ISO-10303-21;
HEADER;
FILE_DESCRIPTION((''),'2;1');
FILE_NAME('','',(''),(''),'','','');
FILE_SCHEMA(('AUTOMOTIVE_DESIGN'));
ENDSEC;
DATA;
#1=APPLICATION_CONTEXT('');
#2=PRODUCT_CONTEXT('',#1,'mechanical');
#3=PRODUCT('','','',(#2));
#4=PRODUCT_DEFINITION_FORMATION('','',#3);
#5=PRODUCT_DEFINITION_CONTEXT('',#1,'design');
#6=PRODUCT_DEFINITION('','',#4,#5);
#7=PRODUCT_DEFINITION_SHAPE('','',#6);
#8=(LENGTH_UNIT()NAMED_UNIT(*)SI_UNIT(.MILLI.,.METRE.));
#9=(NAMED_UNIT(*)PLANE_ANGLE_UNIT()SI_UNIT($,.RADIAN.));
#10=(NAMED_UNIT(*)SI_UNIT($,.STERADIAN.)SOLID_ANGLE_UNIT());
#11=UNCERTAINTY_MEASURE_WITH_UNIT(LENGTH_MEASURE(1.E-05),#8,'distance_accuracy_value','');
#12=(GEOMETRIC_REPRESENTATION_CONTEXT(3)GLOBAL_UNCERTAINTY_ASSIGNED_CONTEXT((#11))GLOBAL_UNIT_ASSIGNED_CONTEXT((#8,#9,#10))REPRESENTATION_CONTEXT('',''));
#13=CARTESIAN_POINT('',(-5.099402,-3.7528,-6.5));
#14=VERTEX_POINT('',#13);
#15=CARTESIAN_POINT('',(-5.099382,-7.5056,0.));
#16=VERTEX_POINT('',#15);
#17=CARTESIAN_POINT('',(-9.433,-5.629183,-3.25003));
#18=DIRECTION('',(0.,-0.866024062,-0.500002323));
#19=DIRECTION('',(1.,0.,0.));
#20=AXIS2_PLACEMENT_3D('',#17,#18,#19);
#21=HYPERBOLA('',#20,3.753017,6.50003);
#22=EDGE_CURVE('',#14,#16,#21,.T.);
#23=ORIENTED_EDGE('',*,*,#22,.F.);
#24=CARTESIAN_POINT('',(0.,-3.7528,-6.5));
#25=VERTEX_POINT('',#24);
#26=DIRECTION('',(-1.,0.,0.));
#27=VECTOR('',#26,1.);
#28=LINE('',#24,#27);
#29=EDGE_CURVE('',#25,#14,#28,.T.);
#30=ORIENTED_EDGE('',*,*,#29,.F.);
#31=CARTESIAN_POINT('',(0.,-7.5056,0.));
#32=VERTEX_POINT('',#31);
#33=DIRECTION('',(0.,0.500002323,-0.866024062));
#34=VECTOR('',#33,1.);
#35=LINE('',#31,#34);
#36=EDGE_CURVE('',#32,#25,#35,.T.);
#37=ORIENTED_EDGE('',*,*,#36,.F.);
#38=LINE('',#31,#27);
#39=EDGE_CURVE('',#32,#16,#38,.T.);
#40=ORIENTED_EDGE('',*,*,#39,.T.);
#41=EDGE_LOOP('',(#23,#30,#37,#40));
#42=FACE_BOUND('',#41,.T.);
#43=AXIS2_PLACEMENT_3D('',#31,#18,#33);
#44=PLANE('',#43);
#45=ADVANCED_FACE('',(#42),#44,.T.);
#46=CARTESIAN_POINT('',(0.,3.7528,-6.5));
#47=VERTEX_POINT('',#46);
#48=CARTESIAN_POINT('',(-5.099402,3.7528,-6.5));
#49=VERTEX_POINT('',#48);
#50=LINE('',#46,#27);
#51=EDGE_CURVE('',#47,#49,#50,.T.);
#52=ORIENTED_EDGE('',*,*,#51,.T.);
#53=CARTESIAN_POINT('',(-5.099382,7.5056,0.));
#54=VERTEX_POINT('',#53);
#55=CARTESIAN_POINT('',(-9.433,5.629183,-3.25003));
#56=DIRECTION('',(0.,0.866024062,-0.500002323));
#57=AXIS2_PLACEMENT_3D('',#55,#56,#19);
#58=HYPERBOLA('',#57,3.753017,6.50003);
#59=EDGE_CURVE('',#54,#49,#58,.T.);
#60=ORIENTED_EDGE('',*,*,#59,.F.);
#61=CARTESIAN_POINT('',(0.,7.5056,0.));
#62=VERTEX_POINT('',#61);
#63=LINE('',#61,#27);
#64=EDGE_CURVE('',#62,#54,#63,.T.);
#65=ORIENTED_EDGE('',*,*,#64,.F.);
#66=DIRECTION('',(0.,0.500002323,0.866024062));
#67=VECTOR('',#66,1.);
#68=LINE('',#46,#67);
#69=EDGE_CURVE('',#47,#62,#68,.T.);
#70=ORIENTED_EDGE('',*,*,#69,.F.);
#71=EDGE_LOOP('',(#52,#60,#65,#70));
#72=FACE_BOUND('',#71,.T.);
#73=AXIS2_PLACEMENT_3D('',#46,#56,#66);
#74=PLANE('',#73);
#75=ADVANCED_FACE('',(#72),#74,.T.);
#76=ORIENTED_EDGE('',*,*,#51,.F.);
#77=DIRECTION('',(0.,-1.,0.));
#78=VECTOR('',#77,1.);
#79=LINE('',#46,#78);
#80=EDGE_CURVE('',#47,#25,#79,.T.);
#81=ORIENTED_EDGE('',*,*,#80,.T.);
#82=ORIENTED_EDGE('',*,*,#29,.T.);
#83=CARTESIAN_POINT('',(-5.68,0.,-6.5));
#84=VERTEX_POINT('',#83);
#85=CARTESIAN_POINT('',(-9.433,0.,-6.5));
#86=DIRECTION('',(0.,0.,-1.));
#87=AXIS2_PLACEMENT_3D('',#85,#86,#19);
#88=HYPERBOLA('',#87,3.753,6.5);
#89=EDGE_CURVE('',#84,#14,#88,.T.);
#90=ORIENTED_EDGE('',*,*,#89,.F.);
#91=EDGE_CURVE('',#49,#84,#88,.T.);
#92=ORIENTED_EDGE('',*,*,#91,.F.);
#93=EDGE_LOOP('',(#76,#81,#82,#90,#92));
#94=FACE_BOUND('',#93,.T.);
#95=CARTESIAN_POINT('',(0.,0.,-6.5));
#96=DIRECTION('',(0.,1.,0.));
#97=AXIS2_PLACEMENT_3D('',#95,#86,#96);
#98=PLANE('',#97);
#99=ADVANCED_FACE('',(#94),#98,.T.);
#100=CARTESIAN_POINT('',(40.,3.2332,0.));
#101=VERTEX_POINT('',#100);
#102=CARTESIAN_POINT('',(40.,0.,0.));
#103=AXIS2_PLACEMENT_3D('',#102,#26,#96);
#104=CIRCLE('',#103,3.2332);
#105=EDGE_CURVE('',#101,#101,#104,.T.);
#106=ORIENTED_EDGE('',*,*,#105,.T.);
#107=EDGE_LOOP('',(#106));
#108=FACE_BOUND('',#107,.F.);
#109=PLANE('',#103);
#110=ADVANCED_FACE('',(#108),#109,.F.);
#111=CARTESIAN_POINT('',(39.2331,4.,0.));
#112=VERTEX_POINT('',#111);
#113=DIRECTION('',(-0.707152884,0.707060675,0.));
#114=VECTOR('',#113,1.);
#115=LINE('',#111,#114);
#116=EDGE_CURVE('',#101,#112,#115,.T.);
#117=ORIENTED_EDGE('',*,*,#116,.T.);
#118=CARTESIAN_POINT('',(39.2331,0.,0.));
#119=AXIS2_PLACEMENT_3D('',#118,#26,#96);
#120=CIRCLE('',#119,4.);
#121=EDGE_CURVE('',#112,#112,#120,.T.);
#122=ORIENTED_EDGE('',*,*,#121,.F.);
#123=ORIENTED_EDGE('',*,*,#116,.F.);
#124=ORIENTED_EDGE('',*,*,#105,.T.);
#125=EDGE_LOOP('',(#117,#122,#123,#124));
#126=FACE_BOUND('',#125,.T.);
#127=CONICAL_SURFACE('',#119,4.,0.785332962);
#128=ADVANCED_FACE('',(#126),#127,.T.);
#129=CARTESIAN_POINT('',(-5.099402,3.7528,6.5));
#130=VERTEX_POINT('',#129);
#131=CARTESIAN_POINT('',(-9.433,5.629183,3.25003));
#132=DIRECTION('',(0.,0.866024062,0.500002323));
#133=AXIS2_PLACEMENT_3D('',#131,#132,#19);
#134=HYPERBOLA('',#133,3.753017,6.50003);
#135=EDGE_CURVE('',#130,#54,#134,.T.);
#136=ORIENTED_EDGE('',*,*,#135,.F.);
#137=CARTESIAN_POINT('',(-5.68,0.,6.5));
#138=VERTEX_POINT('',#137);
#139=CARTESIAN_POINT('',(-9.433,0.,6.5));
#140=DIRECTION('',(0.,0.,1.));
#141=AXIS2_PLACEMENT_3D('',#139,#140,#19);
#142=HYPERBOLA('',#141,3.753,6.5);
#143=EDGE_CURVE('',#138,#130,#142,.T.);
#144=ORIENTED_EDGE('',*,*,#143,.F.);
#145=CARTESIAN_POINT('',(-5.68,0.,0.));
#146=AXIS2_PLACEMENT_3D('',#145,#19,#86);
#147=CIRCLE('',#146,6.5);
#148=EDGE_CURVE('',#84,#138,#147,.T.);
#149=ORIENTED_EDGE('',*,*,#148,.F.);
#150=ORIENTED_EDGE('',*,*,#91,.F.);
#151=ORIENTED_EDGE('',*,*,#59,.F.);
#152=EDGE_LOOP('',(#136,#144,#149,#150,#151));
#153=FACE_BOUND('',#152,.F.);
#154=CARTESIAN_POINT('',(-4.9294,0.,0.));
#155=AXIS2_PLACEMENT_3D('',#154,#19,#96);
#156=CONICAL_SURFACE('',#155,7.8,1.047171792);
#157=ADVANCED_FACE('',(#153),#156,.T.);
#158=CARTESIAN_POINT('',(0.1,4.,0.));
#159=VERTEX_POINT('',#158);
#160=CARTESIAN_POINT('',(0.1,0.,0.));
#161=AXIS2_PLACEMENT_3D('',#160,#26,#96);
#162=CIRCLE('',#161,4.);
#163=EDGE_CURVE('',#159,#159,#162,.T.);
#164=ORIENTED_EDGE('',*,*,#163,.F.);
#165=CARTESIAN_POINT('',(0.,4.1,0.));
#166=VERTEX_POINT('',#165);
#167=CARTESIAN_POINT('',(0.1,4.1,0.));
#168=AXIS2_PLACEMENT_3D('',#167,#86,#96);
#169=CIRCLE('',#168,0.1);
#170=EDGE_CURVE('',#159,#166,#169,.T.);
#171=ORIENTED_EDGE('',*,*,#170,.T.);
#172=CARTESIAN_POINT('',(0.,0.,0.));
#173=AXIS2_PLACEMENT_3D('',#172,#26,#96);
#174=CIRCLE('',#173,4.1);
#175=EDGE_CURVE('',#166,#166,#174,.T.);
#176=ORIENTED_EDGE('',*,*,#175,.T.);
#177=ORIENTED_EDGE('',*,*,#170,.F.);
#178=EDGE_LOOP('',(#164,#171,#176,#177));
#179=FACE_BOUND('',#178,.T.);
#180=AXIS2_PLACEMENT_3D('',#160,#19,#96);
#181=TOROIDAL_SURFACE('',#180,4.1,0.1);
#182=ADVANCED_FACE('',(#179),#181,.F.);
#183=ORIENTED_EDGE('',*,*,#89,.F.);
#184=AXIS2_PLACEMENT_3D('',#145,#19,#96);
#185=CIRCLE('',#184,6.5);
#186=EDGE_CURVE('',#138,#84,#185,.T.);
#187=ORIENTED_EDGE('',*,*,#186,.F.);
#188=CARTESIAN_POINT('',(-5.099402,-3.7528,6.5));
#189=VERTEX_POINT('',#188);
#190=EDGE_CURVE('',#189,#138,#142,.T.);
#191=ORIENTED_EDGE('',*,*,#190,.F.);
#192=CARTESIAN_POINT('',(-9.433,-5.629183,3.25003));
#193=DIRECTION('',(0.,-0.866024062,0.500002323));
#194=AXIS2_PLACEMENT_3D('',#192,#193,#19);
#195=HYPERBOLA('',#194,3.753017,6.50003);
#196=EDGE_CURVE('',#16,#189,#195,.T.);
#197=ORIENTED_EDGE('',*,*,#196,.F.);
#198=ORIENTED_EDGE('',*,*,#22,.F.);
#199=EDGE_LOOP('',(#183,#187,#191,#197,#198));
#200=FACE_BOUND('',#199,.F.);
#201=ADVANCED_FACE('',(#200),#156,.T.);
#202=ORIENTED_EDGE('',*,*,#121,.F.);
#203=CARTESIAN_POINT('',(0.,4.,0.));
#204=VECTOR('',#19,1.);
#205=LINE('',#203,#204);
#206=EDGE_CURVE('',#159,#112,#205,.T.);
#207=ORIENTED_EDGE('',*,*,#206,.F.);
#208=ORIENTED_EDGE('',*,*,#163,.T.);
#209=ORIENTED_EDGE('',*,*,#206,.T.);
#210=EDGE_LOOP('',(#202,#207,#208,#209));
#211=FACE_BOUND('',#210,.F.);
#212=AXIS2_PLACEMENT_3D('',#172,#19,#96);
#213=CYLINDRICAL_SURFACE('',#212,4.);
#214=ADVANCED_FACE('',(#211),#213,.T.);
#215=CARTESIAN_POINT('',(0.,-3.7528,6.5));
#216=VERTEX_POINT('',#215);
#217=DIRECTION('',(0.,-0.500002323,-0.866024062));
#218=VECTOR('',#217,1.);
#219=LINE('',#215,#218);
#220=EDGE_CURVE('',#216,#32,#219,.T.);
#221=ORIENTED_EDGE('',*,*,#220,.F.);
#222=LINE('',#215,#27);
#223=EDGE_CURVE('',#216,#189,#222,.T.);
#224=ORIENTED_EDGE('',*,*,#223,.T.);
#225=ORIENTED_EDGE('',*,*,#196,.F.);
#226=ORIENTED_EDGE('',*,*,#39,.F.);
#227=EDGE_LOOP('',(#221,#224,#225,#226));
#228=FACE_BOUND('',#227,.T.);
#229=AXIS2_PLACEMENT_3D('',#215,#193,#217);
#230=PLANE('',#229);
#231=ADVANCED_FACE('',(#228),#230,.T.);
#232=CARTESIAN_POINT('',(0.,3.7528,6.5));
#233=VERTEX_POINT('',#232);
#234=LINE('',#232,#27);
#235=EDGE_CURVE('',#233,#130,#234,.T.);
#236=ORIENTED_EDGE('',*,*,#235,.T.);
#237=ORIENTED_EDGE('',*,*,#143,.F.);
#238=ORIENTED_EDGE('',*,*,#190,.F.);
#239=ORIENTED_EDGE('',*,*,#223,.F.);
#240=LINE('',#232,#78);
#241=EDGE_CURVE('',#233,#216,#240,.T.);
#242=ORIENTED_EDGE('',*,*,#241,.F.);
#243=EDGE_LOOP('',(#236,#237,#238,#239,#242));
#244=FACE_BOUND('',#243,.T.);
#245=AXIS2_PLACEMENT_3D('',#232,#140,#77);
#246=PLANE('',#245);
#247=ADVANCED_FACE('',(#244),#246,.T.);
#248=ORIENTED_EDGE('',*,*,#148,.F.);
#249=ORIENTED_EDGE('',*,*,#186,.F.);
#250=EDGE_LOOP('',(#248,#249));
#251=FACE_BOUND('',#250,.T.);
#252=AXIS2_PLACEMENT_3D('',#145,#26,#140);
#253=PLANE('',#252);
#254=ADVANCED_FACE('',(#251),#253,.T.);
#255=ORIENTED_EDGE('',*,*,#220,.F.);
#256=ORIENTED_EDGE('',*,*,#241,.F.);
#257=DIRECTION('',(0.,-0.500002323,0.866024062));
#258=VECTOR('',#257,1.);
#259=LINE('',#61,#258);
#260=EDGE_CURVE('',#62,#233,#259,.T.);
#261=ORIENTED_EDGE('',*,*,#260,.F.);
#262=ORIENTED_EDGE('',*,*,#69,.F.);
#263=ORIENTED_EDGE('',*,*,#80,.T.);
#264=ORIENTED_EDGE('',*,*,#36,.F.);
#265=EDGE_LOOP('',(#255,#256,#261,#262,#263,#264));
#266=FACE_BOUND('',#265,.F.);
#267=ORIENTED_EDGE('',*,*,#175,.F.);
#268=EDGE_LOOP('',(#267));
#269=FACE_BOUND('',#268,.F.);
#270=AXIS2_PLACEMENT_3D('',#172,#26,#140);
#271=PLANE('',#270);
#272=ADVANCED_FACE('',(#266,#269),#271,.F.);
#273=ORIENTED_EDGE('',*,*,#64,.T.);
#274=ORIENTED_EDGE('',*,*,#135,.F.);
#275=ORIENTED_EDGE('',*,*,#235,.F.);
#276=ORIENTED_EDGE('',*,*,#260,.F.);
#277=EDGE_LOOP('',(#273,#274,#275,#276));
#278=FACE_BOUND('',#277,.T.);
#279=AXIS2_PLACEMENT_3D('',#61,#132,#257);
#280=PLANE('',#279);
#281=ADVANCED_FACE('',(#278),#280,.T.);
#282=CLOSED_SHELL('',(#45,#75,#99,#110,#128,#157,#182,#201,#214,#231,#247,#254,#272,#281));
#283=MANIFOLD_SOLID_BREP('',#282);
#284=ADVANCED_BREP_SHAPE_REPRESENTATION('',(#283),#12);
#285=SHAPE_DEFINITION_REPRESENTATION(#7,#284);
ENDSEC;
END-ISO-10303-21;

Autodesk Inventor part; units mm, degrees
ref_plane "YZ Plane" through (0, 0, 0) normal (1, 0, 0) x (0, 1, 0)
ref_plane "XZ Plane" through (0, 0, 0) normal (0, 1, 0) x (-1, 0, 0)
sketch "Sketch1" plane through (0, 0, 0) normal (0, 0, 1) x (1, 0, 0)
  line L0 (0, 4) -> (40, 4)
  line L1 (40, 4) -> (40, 0)
  line L2 (40, 0) -> (0, 0)
  line L3 (-8, 0) -> (48, 0) projected
  line L4 (0, -0.8) -> (0, 4.8) projected
  line L5 (0, 4) -> (0, 0)
  dimension "d2" = 8
  dimension "d59" = 40
revolve "Body" add sketch "Sketch1" angle 360 about axis through (40, 0, 0) along (-1, 0, 0)
sketch "Sketch2" plane through (0, 0, 0) normal (-1, 0, 0) x (0, 0, 1)
  line L0 (0, 7.5056) -> (6.5, 3.7528)
  line L1 (6.5, 3.7528) -> (6.5, -3.7528)
  line L2 (6.5, -3.7528) -> (0, -7.5056)
  line L3 (0, -7.5056) -> (-6.5, -3.7528)
  line L4 (-6.5, -3.7528) -> (-6.5, 3.7528)
  line L5 (-6.5, 3.7528) -> (0, 7.5056)
  line L6 (-9.1, 0) -> (9.1, 0) projected
  line L7 (0, 10.5078) -> (0, -10.5078) projected
  point P0 (0, 0)
  point P1 (0, 0)
  dimension "d11" = 13
extrude "Head" add sketch "Sketch2" along normal blind 5.68
sketch "Sketch4" plane through (0, 0, 0) normal (0, 0, 1) x (1, 0, 0)
  line L0 (-4.9294, 7.8) -> (-5.68, 6.5)
  line L1 (-1.1, 0) -> (-0.234, 0)
  line L2 (-6.7692, 0) -> (0.8552, 0) projected
  line L3 (-5.68, 7.8) -> (-4.9294, 7.8)
  line L4 (-5.68, 6.5) -> (-5.68, 7.8)
  line L5 (0, 9.36) -> (0, -1.56) projected
  dimension "d65" = 13
  dimension "d67" = 30
  dimension "d68" = 15.6
  dimension "d69" = 5.68
revolve "Chamfer1" cut sketch "Sketch4" angle 360 about axis through (-1.1, 0, 0) along (1, 0, 0)
thread "Thread" size "M8x1.25" class "6g" standard "ISO Metric profile" length 22
chamfer "Chamfer2" distance 0.7668 distance2 0.7669 1 edges at (40, -4, 0) measured on face at (40, 0.4453, 1.0204)
fillet "Fillet" radius 0.1 1 edges at (0, -4, 0)
ref_plane "Work Plane1" through (1.525, 0, 0) normal (0, 0, 1) x (1, 0, 0)
equation "\"d2\" = GD"
equation "\"d59\" = NLG"
equation "\"d11\" = SW"
equation "\"d3\" = KOH"
equation "\"d15\" = GEL"
equation "\"d6\" = -0.5 * SPD + 0.5 * GD"
equation "\"d71\" = RR"
equation "\"d65\" = SW"
equation "\"d67\" = ANG1"
equation "\"d68\" = 1.2 * SW"
equation "\"d69\" = KOH"
equation "\"NLG\" = 40"
equation "\"GD\" = NND"
equation "\"BDM\" = NND"
equation "\"KOH\" = 5.68"
equation "\"GEL\" = 22"
equation "\"SW\" = 13"
equation "\"SW0\" = SW"
equation "\"SPD\" = NND - 1.2269 * PTC"
equation "\"SD2\" = NND"
equation "\"SD\" = 0"
equation "\"ANG1\" = 30deg"
equation "\"GAL\" = 0.61345 * PTC"
equation "\"GUL\" = 0.61345 * PTC"
equation "\"RR\" = 0.1"
equation "\"RR1\" = 0.4"
equation "\"GD1\" = THREADDIA - 1.2269 * PTC"
equation "\"THREADDIA\" = 8"
equation "\"TOA\" = 30deg"
equation "\"PTC\" = 1.25"
equation "\"KOH1\" = 3.7"
equation "\"NND\" = 8"
equation "\"E0\" = 1.155 * SW"
properties part number "ANSI B18.2.3.5M - M8 x 1.25 x 40" material "Steel, Mild"
